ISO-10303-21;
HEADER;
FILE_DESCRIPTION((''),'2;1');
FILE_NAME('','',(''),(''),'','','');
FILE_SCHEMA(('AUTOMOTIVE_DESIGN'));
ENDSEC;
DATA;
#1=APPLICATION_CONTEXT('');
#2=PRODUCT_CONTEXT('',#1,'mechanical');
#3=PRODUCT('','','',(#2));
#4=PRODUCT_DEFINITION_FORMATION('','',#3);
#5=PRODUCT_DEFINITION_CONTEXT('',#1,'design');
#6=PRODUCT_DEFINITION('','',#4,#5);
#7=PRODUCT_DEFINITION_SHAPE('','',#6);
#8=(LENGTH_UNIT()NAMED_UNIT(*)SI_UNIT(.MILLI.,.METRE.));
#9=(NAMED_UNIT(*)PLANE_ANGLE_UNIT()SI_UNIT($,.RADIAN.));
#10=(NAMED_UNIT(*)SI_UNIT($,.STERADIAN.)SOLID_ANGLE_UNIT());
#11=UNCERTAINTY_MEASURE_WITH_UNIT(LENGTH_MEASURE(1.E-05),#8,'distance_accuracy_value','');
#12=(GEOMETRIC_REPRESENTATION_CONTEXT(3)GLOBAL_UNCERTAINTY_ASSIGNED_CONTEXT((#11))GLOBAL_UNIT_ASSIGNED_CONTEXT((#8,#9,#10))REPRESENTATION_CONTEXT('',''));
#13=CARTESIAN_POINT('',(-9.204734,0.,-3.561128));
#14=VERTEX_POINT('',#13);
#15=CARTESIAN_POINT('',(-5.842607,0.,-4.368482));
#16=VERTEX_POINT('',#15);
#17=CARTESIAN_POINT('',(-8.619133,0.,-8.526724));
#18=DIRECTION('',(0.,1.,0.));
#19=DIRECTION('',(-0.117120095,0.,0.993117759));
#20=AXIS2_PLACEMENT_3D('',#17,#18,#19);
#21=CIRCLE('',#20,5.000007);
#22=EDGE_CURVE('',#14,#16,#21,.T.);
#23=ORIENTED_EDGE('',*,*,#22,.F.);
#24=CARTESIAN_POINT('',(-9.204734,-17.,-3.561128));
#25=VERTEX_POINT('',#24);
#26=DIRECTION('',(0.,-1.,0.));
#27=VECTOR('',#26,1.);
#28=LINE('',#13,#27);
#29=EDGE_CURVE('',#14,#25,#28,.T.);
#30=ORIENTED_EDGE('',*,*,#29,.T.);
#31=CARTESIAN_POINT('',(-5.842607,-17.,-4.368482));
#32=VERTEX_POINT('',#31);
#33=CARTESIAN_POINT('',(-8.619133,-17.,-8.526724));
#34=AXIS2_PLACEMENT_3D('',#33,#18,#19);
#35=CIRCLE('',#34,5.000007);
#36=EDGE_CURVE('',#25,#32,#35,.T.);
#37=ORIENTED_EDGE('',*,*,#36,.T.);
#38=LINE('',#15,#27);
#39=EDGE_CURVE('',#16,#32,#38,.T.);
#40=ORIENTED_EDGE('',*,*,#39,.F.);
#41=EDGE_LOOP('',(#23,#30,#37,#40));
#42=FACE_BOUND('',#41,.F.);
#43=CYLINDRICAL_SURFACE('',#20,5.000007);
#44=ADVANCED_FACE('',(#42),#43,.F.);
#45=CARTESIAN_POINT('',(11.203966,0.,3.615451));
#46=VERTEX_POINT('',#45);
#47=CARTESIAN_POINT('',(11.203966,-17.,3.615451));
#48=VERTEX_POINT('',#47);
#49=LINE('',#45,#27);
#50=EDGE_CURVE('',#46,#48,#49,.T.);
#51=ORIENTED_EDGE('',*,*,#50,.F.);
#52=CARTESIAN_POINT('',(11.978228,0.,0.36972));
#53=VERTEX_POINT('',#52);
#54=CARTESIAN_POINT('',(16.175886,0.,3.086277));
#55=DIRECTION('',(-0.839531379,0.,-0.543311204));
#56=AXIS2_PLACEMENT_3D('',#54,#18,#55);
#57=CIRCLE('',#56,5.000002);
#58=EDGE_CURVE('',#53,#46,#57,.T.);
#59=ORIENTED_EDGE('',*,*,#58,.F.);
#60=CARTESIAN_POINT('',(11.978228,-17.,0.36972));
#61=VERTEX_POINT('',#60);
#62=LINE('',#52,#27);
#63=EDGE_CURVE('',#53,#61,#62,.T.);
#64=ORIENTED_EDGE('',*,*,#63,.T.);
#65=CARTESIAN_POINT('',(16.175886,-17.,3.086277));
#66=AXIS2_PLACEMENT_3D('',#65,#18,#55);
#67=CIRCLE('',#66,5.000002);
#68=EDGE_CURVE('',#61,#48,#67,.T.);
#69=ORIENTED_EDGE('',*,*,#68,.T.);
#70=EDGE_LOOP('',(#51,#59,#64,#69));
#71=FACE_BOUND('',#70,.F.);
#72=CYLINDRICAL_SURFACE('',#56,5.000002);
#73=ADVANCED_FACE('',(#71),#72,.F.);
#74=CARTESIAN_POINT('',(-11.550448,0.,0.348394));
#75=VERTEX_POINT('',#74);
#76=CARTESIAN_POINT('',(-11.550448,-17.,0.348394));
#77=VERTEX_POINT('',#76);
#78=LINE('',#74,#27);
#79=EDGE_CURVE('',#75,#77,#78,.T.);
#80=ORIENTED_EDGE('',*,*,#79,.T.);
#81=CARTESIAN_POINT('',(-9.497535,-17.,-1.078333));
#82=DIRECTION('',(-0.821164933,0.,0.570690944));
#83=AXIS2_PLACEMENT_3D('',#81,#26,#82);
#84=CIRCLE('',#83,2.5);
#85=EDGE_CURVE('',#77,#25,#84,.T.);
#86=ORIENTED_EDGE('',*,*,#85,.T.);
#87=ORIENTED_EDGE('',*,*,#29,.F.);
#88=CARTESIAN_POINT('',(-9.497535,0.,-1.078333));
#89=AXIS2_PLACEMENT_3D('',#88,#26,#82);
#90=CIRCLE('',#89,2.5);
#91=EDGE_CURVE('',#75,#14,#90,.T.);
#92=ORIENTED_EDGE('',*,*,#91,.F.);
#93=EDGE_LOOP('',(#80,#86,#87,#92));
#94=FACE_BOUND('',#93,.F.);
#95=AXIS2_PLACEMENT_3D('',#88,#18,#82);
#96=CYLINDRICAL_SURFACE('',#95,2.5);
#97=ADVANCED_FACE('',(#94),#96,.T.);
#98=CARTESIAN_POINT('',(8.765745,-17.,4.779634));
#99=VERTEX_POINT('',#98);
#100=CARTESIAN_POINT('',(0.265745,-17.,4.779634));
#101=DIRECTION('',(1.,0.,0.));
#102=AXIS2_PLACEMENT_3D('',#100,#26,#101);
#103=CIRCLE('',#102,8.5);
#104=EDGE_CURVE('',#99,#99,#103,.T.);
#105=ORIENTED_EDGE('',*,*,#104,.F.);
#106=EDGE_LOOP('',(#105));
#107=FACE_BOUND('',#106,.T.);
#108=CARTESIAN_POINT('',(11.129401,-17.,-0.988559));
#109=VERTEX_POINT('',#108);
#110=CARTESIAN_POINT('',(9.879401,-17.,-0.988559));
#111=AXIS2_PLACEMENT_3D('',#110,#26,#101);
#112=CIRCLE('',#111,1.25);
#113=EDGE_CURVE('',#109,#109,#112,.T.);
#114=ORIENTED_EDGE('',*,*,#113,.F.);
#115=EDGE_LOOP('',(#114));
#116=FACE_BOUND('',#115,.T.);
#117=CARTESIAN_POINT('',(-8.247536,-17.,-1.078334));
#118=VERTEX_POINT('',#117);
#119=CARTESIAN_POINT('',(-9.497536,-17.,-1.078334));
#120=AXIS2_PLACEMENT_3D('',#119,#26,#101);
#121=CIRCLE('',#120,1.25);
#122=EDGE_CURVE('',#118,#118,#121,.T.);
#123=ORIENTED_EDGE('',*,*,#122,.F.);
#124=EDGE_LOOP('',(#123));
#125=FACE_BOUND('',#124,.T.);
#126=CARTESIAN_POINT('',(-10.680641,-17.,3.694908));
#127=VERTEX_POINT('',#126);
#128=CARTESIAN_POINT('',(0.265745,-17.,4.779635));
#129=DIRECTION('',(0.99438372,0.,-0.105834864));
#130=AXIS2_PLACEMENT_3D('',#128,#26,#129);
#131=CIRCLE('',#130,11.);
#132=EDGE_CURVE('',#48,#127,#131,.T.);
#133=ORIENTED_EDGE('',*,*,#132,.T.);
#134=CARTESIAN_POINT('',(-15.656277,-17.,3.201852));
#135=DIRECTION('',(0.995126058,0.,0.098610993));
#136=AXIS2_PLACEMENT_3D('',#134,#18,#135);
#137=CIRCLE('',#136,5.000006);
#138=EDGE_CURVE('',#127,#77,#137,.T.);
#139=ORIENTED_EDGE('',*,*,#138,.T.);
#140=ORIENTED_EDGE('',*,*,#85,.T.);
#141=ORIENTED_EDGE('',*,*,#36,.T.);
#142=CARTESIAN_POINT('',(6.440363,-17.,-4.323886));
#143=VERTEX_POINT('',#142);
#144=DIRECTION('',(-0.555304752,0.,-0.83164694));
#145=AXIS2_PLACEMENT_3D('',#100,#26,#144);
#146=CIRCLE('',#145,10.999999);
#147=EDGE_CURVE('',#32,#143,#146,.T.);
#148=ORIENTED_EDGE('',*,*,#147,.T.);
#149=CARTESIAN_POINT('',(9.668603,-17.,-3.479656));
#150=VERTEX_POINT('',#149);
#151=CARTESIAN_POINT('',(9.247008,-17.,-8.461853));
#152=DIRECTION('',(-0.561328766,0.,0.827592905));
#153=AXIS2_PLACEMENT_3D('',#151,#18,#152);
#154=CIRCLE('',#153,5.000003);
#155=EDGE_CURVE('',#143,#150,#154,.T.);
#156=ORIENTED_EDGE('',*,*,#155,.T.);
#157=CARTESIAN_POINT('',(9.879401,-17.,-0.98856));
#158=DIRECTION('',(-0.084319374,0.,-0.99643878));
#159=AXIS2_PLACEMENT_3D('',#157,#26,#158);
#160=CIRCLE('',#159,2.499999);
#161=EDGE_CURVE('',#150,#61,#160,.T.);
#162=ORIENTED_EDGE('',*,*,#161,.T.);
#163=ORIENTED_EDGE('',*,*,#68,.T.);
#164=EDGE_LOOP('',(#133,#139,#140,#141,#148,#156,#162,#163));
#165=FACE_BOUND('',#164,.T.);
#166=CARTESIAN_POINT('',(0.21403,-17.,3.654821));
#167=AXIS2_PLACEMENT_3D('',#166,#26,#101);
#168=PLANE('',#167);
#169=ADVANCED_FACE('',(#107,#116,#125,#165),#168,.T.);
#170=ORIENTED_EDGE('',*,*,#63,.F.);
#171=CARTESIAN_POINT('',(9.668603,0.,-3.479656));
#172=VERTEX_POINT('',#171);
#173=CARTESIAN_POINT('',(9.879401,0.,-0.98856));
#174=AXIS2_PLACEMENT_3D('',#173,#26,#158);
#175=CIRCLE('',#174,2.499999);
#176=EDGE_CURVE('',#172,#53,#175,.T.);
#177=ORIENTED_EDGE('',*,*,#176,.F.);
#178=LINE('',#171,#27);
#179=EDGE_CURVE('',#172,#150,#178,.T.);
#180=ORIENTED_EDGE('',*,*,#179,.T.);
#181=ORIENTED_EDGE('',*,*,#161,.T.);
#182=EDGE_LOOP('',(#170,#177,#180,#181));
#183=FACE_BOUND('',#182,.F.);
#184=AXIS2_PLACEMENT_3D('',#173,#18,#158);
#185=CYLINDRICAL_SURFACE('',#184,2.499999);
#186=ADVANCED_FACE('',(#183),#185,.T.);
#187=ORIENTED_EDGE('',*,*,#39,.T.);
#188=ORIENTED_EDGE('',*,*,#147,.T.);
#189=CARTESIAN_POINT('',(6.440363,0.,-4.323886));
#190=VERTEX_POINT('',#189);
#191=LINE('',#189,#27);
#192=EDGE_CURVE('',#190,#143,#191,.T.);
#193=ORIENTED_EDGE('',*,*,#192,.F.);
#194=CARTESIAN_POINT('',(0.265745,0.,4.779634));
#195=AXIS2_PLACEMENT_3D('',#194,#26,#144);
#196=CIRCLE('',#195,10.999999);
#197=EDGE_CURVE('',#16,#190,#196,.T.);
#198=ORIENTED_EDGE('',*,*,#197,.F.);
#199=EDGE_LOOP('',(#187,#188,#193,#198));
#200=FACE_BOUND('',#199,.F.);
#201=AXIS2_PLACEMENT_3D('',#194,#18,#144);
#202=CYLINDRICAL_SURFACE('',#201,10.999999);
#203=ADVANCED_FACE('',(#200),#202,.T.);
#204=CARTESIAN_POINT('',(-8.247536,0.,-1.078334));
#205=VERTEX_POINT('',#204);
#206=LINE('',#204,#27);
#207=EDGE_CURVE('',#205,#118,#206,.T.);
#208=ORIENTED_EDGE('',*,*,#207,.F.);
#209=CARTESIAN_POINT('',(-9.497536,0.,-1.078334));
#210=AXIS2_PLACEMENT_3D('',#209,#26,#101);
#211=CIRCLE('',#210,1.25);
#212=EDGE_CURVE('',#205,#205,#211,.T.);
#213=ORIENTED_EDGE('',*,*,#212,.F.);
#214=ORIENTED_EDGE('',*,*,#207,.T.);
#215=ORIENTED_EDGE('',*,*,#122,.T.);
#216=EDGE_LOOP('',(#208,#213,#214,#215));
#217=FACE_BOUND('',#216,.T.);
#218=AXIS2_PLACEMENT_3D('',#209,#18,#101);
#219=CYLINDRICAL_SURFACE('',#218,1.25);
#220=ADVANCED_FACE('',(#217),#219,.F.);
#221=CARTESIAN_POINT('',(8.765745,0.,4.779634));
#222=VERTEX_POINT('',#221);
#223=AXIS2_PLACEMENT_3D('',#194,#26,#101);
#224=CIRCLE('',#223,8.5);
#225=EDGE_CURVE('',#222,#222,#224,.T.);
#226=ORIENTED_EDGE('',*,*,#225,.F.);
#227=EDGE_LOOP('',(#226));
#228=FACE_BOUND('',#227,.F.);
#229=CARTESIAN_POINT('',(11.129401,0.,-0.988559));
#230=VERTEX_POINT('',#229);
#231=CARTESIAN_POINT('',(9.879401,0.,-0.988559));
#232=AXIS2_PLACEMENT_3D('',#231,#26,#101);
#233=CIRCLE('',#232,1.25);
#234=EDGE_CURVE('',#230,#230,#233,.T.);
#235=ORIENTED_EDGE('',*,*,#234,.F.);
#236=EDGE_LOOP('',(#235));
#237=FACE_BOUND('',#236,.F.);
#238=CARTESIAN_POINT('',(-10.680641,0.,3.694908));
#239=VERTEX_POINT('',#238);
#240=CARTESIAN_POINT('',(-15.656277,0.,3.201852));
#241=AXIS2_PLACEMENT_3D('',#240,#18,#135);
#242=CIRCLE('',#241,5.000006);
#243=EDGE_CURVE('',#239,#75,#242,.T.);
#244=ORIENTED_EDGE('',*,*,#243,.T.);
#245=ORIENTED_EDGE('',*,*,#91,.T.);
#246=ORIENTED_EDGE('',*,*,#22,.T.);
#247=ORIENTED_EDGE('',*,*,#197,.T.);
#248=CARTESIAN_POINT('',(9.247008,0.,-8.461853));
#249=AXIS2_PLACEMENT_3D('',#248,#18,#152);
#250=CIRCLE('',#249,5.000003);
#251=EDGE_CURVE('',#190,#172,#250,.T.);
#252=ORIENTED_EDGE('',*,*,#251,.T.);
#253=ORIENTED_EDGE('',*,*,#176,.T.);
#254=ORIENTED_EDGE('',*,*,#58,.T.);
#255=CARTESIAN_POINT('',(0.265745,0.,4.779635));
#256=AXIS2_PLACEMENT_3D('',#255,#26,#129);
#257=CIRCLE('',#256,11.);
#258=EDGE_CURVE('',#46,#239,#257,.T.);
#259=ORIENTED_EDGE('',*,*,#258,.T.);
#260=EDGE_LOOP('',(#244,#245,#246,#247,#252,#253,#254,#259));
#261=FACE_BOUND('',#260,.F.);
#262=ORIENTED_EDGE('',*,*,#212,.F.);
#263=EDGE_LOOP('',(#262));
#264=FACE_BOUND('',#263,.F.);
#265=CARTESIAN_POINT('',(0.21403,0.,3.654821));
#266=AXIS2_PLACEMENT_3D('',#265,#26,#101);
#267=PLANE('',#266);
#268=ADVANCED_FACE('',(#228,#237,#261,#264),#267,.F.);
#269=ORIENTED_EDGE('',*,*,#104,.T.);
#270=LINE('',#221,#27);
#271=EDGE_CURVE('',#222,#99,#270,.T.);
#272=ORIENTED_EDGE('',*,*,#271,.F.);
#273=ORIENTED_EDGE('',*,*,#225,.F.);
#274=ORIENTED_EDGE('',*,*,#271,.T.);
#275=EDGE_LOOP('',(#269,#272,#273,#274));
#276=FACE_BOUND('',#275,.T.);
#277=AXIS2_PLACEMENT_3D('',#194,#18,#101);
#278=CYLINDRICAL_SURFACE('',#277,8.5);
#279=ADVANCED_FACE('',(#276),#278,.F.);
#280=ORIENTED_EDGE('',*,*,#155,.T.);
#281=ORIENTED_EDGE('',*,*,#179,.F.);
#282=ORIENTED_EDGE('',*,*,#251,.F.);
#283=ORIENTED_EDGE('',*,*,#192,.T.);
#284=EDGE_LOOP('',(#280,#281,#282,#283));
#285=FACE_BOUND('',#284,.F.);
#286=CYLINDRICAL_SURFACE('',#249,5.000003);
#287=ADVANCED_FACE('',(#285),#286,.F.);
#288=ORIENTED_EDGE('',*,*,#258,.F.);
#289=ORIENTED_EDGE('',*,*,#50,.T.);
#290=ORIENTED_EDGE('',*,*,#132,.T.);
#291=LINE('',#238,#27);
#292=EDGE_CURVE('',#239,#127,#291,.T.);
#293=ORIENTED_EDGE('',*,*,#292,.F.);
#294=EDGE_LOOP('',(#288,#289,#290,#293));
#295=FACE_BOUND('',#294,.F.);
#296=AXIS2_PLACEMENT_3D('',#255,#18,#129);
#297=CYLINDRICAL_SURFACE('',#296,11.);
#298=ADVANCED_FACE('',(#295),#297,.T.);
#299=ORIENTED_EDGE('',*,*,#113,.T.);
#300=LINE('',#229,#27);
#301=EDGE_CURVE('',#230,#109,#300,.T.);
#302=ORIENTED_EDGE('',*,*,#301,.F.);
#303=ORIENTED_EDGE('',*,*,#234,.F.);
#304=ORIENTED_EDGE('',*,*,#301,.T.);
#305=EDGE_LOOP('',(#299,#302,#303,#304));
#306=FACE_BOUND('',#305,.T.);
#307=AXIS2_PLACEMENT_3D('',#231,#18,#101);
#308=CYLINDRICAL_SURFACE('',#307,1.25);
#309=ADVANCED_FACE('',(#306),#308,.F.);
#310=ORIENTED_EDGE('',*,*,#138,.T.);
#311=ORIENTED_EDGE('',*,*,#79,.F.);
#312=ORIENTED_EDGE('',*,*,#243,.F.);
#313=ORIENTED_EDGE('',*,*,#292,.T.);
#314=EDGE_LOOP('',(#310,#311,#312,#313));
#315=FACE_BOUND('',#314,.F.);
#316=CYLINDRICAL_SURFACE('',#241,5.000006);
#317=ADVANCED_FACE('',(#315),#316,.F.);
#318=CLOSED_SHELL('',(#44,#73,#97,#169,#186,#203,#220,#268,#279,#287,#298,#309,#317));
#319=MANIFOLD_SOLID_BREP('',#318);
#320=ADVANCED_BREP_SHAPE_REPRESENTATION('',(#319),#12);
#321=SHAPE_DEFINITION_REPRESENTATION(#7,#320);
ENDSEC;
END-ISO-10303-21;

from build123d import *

# Parameters (mm, degrees)
F0_R     = 1.25
F0_R_2   = 8.5
F1_DEPTH = 17


with BuildPart() as f1:
    # F0 (on Front) → F1 (new body)
    with BuildSketch(Plane.XZ):
        with BuildLine():
            ThreePointArc((6.440363, -4.323886), (7.98198, -3.624526), (9.668603, -3.479656))
            ThreePointArc((9.668603, -3.479656), (12.023133, -2.274799), (11.978228, 0.36972))
            ThreePointArc((11.978228, 0.36972), (11.31235, 1.926091), (11.203966, 3.615451))
            ThreePointArc((11.203966, 3.615451), (0.305682, 15.779562), (-10.680641, 3.694908))
            ThreePointArc((-10.680641, 3.694908), (-10.817058, 1.94407), (-11.550448, 0.348394))
            ThreePointArc((-11.550448, 0.348394), (-11.641268, -2.364573), (-9.204734, -3.561128))
            ThreePointArc((-9.204734, -3.561128), (-7.45166, -3.664926), (-5.842607, -4.368482))
            ThreePointArc((-5.842607, -4.368482), (0.305682, -6.220293), (6.440363, -4.323886))
        make_face()
        with Locations((-9.497536, -1.078334)):
            Circle(F0_R, mode=Mode.SUBTRACT)
        with Locations((9.879401, -0.988559)):
            Circle(F0_R, mode=Mode.SUBTRACT)
        with Locations((0.265745, 4.779634)):
            Circle(F0_R_2, mode=Mode.SUBTRACT)
    extrude(amount=F1_DEPTH)


solid = f1.part
